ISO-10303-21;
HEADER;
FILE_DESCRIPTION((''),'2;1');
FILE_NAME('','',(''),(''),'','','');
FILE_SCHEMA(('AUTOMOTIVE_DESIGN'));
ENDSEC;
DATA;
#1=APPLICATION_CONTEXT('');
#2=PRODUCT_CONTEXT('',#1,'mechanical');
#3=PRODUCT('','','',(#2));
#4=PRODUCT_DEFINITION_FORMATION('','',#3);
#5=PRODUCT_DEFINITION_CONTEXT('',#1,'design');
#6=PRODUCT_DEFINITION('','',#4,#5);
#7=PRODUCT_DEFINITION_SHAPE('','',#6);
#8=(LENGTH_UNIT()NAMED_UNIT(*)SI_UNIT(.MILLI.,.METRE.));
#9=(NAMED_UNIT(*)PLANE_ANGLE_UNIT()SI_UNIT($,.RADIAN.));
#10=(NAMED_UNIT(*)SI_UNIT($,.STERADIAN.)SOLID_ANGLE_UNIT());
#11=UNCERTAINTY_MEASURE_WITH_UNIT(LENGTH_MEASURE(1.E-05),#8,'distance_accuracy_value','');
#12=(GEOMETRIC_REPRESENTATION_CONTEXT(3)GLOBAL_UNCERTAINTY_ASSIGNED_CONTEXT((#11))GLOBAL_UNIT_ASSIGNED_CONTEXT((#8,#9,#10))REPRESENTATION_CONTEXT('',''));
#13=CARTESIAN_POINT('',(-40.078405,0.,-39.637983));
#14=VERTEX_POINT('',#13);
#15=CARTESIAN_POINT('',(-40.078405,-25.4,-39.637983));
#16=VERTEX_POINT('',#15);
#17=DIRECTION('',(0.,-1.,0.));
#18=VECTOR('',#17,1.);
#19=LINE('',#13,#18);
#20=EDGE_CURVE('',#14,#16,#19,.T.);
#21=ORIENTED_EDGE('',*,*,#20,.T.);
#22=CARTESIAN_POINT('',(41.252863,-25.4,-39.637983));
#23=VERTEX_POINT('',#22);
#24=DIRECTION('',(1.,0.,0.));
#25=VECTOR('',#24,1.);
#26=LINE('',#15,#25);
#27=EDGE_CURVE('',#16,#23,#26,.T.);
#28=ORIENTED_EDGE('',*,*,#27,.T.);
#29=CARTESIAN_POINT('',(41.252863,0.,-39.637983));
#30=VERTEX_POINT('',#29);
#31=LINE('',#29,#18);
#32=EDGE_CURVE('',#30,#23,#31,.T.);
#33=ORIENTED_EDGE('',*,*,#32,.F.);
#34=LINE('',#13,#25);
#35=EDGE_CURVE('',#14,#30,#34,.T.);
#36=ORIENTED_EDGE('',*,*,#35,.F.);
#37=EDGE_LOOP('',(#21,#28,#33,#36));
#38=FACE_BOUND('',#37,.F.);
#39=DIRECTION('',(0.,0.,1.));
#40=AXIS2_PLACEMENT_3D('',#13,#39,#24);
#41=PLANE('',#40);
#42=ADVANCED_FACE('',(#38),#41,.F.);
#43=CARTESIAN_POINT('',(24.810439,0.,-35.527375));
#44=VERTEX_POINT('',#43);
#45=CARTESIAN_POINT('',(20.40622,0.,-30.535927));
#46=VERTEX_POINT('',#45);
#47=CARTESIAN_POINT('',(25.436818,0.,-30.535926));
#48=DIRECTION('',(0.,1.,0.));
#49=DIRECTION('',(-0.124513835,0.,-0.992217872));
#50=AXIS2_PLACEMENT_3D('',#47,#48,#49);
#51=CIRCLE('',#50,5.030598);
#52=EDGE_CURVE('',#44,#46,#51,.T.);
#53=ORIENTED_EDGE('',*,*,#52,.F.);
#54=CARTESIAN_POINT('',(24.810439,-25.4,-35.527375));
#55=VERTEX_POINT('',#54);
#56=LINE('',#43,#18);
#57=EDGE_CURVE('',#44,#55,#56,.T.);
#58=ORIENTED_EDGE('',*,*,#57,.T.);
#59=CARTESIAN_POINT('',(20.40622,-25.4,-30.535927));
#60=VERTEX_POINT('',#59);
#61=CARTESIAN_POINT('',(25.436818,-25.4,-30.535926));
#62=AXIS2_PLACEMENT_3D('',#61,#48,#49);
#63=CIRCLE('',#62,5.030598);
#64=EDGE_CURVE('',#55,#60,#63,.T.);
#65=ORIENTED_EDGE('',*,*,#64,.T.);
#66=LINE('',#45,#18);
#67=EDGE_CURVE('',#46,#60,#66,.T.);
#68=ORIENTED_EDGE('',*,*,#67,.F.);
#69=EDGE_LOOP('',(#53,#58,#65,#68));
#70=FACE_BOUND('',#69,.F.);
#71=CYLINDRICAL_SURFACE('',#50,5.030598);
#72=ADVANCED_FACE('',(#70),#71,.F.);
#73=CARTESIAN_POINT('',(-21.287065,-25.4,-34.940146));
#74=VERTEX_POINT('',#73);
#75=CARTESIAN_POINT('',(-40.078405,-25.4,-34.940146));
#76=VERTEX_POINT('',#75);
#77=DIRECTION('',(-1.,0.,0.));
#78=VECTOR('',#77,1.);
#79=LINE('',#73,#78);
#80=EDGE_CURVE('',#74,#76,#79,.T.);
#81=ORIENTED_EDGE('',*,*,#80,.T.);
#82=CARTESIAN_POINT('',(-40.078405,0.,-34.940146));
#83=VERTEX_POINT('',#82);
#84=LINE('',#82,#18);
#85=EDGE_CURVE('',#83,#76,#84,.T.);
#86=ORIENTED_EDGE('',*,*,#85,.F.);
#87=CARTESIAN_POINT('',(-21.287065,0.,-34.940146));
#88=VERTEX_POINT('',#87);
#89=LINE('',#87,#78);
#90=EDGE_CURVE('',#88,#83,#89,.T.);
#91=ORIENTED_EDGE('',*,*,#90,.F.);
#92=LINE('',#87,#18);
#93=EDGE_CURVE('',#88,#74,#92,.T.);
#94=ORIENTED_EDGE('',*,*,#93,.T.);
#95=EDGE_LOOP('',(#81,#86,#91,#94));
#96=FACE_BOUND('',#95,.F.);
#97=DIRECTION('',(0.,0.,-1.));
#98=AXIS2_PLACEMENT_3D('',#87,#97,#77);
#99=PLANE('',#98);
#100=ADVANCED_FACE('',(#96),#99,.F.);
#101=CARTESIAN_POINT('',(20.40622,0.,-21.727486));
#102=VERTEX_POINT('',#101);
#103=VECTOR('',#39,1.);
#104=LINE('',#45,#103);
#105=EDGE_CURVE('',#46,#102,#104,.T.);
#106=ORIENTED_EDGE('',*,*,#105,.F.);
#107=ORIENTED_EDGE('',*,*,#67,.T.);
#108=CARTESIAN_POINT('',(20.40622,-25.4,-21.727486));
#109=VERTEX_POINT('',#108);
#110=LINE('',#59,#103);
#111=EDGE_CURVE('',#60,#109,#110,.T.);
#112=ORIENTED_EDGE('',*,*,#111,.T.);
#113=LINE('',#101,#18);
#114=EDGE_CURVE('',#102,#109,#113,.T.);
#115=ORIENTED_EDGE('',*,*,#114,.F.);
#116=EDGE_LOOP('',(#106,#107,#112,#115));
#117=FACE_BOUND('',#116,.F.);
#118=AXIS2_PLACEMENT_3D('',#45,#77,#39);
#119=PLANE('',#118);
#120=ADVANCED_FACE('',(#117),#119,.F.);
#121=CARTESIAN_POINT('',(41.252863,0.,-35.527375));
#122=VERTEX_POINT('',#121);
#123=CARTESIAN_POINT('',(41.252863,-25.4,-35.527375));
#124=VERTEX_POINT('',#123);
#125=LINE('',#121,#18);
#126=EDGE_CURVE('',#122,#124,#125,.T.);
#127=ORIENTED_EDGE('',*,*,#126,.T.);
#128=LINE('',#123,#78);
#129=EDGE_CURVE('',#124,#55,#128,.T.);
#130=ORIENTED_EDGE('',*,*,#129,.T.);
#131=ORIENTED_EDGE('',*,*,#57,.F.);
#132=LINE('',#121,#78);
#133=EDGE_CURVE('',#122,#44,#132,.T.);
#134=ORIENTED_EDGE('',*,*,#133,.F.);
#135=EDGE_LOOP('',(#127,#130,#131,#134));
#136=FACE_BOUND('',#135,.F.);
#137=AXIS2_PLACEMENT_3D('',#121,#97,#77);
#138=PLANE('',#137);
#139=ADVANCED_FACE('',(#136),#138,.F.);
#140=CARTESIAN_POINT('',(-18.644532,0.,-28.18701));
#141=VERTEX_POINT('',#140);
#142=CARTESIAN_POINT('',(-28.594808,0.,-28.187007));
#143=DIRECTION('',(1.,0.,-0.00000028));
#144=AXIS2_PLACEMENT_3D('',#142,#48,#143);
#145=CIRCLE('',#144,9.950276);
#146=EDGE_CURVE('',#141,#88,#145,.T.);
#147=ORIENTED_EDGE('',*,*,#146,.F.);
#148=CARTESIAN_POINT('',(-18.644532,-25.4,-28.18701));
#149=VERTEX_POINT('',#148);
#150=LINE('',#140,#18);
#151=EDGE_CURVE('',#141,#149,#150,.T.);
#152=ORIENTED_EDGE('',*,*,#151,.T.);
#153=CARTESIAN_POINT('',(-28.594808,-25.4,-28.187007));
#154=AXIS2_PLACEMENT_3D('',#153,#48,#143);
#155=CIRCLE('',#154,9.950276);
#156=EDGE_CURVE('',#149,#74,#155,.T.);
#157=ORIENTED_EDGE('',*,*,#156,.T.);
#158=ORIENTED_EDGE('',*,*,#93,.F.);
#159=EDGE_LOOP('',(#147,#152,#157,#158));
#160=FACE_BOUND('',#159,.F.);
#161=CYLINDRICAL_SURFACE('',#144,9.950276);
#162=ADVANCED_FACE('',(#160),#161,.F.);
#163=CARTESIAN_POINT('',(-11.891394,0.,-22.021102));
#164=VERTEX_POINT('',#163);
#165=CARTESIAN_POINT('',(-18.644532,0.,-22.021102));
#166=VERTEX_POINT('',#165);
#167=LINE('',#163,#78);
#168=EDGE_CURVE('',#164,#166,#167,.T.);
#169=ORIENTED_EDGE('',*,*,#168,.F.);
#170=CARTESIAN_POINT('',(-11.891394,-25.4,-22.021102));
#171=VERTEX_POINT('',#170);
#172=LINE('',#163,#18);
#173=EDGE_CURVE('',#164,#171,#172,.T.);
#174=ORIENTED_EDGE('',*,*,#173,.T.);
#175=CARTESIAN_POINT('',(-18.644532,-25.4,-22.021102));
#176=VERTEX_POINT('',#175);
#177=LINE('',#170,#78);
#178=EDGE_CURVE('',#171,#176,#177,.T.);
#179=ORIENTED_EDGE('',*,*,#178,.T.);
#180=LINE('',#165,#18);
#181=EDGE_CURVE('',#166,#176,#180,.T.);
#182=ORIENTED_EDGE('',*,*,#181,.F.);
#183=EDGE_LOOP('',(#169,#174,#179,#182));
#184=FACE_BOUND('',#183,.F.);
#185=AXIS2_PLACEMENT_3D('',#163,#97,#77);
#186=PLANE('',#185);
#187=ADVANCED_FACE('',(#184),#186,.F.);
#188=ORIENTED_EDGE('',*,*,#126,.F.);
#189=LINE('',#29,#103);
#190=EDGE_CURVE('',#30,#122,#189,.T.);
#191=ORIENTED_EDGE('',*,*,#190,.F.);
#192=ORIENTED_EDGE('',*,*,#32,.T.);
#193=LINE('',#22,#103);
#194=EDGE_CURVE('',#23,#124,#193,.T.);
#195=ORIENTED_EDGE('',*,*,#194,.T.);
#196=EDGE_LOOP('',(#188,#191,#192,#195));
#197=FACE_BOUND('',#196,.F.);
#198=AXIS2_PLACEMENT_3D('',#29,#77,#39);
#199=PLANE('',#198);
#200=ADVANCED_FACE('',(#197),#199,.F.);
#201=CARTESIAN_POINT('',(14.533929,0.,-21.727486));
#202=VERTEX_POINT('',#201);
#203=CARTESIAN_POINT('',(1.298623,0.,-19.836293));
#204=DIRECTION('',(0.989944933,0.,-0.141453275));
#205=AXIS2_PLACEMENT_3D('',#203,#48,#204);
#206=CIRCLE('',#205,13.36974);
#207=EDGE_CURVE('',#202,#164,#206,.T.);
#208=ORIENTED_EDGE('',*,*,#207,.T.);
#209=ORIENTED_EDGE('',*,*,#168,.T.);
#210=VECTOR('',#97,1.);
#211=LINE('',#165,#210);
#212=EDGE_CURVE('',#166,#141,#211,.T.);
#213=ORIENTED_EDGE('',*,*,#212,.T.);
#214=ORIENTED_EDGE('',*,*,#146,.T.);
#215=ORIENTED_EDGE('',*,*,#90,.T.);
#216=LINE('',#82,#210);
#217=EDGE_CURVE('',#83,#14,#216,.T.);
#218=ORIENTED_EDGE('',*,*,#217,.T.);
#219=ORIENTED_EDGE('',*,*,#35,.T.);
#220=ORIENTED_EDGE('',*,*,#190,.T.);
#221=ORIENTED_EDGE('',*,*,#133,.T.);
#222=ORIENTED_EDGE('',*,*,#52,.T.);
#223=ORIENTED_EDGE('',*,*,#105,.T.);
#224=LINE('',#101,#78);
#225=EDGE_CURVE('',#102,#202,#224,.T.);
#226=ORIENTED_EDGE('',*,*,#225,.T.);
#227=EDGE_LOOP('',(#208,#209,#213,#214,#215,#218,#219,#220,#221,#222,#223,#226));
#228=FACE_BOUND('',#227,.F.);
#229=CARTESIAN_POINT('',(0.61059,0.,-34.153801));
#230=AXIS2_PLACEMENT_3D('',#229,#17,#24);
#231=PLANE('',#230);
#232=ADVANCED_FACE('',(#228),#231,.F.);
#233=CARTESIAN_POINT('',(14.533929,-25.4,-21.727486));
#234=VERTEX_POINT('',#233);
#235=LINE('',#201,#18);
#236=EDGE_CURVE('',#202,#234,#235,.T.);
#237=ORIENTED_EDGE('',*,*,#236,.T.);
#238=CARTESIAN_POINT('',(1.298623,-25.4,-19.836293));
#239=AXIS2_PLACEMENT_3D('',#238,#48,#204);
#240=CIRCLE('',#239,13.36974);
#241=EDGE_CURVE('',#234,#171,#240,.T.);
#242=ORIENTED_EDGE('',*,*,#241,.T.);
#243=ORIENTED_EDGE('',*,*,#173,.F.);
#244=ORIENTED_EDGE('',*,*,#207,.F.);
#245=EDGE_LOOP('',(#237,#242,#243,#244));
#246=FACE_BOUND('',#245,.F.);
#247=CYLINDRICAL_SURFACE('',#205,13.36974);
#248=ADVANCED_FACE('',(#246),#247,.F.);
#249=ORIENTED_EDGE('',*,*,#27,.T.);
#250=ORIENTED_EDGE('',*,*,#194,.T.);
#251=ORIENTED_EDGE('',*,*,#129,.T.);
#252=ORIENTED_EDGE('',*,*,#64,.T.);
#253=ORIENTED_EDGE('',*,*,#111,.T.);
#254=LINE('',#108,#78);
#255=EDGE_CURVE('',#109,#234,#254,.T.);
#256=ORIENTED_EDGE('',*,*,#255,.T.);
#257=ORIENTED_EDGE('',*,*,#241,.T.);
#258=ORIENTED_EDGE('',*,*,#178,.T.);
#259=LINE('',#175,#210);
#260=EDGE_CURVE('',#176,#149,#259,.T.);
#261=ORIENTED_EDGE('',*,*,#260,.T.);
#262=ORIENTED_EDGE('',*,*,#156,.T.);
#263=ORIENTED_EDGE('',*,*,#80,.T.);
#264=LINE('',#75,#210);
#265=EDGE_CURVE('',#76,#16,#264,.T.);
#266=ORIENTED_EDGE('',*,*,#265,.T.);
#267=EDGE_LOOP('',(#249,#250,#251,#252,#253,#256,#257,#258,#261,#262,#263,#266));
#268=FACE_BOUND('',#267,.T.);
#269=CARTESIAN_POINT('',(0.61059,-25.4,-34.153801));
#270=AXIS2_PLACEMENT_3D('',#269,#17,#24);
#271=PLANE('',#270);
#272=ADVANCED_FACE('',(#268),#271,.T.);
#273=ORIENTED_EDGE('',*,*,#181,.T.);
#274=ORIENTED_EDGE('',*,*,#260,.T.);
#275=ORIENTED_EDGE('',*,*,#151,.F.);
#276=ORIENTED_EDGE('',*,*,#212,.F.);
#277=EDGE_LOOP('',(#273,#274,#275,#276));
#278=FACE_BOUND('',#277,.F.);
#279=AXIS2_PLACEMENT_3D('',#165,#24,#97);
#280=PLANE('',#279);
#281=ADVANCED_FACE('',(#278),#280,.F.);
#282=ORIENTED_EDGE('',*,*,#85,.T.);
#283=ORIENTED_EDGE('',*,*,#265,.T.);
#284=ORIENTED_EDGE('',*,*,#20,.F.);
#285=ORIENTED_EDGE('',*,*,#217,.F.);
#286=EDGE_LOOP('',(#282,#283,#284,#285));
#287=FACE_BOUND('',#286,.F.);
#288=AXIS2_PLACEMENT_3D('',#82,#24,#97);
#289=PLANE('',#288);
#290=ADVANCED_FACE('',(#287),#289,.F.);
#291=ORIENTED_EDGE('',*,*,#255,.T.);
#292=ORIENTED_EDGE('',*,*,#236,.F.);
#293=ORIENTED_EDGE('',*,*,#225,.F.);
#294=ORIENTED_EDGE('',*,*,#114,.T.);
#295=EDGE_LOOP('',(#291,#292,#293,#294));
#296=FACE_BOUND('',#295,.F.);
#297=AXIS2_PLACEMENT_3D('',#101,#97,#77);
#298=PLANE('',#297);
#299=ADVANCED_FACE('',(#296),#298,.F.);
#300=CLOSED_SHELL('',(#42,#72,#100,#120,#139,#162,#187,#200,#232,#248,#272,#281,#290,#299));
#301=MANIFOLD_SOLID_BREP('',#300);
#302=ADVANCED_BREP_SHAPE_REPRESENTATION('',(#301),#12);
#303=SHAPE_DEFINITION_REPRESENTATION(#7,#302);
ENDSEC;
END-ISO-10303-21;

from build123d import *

# Parameters (mm, degrees)
F1_DEPTH = 25.4


with BuildPart() as f1:
    # F0 (on Front) → F1 (new body)
    with BuildSketch(Plane.XZ):
        with BuildLine():
            Line((-40.078405, -34.940146), (-40.078405, -39.637983))
            Line((-40.078405, -39.637983), (41.252863, -39.637983))
            Line((41.252863, -39.637983), (41.252863, -35.527375))
            Line((41.252863, -35.527375), (24.810439, -35.527375))
            ThreePointArc((24.810439, -35.527375), (21.664685, -33.864278), (20.40622, -30.535927))
            Line((20.40622, -30.535927), (20.40622, -21.727486))
            Line((20.40622, -21.727486), (14.533929, -21.727486))
            ThreePointArc((14.533929, -21.727486), (1.447167, -33.205207), (-11.891394, -22.021102))
            Line((-11.891394, -22.021102), (-18.644532, -22.021102))
            Line((-18.644532, -22.021102), (-18.644532, -28.18701))
            ThreePointArc((-18.644532, -28.18701), (-19.328686, -31.812883), (-21.287065, -34.940146))
            Line((-21.287065, -34.940146), (-40.078405, -34.940146))
        make_face()
    extrude(amount=F1_DEPTH)


solid = f1.part
